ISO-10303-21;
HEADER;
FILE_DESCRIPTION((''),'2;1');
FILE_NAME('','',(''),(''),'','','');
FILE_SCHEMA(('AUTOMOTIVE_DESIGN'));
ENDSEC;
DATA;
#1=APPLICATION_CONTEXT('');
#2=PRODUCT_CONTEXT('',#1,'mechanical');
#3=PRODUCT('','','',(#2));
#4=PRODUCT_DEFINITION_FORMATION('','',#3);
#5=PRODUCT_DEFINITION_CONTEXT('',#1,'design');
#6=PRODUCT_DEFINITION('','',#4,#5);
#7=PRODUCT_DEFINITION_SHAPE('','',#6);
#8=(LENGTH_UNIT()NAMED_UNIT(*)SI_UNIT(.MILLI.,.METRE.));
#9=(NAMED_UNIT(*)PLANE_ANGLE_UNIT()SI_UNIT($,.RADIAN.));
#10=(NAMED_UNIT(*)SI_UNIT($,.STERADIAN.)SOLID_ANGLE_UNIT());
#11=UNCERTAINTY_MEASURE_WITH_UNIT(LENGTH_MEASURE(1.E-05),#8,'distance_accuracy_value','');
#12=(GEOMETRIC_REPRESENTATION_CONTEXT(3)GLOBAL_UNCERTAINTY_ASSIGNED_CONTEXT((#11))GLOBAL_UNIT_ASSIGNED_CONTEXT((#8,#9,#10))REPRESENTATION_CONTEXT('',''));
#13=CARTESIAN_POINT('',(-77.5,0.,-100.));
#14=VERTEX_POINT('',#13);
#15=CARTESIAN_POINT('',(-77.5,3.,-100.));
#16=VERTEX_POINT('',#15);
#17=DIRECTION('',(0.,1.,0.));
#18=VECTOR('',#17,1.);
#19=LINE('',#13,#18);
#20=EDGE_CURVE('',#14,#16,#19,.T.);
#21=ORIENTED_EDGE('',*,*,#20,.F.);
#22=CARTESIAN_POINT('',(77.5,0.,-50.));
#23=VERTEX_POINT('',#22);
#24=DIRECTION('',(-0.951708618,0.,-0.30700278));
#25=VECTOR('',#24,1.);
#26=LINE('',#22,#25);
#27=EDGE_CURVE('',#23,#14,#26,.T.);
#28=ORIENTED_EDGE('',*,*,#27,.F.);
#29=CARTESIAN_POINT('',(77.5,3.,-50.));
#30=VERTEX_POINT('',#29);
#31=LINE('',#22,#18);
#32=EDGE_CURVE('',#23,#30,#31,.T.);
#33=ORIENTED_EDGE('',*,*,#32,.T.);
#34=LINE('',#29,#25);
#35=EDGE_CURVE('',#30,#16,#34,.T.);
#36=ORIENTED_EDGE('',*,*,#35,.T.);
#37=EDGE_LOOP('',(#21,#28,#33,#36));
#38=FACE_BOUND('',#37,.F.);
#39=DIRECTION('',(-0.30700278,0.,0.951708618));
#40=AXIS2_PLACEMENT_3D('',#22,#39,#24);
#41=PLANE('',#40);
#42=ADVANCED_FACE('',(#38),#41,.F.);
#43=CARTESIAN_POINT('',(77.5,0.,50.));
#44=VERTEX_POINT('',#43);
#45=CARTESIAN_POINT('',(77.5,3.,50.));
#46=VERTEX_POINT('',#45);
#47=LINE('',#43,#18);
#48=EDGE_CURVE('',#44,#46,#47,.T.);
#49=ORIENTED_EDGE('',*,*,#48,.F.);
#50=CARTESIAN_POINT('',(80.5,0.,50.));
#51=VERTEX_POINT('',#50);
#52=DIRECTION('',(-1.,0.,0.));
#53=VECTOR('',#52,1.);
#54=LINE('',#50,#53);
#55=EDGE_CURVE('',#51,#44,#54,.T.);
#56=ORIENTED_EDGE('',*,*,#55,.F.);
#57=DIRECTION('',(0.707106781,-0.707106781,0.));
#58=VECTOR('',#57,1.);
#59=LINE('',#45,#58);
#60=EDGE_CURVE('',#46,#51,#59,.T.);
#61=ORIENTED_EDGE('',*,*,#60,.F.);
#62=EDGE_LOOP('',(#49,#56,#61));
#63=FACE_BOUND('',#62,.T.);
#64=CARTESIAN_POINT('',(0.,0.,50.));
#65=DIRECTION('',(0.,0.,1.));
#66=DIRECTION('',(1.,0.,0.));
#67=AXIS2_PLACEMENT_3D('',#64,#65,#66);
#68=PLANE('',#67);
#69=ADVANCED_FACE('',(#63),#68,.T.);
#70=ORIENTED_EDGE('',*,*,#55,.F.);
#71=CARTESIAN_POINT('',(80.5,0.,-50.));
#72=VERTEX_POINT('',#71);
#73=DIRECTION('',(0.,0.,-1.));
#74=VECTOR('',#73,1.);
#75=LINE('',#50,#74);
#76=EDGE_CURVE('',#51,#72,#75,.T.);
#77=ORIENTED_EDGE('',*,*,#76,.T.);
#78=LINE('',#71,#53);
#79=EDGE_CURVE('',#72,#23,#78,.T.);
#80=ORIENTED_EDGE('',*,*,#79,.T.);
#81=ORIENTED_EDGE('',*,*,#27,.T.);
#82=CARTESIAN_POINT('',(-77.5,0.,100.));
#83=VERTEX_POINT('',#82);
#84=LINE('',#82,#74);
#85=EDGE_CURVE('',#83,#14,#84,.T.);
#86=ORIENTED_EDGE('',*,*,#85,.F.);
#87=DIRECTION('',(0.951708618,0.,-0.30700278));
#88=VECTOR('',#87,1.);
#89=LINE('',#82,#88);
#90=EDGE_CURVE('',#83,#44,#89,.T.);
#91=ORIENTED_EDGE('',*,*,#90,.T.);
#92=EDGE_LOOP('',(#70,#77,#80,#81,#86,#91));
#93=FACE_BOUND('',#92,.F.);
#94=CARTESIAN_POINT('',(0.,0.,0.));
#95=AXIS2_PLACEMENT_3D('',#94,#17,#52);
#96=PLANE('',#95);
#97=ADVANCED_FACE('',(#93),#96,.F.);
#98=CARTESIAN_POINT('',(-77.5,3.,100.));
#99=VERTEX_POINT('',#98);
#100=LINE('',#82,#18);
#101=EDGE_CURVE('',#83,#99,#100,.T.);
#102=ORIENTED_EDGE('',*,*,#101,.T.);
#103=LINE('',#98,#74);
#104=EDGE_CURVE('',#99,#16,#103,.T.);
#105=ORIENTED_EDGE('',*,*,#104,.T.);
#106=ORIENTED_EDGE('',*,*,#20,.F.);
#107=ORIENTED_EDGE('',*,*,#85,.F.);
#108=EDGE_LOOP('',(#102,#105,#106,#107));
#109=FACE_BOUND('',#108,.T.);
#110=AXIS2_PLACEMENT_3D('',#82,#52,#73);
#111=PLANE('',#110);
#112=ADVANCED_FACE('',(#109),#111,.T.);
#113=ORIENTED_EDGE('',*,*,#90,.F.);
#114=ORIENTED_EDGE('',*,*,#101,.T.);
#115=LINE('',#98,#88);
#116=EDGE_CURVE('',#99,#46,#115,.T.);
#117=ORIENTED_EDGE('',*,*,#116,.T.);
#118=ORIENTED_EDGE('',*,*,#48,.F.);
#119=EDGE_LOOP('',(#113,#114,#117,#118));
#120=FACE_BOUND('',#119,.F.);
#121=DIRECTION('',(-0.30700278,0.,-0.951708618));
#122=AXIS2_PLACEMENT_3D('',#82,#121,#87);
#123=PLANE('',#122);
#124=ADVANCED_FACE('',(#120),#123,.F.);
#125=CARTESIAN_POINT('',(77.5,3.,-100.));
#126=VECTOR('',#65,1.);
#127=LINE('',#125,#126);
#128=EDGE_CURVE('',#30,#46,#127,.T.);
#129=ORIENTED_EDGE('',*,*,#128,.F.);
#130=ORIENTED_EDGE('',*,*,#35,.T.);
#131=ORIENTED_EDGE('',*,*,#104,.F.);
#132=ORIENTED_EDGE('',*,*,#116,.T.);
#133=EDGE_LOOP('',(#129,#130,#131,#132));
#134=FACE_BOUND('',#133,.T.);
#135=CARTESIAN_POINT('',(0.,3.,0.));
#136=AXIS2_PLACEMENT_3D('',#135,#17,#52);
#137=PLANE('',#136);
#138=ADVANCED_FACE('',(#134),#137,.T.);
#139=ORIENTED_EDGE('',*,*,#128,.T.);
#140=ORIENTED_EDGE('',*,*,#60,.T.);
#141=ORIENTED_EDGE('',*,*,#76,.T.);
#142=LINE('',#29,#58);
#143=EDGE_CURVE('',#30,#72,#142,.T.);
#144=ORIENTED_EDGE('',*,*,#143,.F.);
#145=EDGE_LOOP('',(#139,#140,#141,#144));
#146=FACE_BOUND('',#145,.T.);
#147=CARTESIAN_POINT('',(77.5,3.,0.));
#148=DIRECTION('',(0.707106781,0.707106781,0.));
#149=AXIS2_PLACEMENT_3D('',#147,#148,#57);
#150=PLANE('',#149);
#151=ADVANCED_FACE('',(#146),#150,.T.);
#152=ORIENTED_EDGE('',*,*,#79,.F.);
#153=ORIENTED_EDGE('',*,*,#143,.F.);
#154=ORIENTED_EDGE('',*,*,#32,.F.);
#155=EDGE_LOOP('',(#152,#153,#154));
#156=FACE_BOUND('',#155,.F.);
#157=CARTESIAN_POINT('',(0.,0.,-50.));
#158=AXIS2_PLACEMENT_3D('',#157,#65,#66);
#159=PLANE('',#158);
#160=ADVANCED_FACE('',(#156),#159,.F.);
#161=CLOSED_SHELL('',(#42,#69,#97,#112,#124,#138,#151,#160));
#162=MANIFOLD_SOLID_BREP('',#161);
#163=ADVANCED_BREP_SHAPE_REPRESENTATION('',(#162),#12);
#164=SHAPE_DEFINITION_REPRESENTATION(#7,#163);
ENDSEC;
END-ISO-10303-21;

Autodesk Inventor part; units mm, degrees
ref_plane "YZ Plane" through (0, 0, 0) normal (1, 0, 0) x (0, 1, 0)
ref_plane "XZ Plane" through (0, 0, 0) normal (0, 1, 0) x (-1, 0, 0)
ref_plane "XY Plane" through (0, 0, 0) normal (0, 0, 1) x (1, 0, 0)
sketch "Sketch1" plane through (0, 0, 0) normal (0, 1, 0) x (-1, 0, 0)
  line L0 (-77.5, 100) -> (77.5, 100)
  line L1 (77.5, 100) -> (77.5, -100)
  line L2 (77.5, -100) -> (-77.5, -100)
  line L3 (-77.5, -100) -> (-77.5, 100)
  line L4 (-77.5, 100) -> (77.5, -100) construction
  line L5 (77.5, 100) -> (-77.5, -100) construction
  line L6 (77.5, 100) -> (-77.5, 50)
  line L7 (-77.5, -50) -> (77.5, -100)
  point P0 (0, 0)
  dimension "d0" = 155
  dimension "d1" = 200
  dimension "d2" = 50
  dimension "d3" = 50
extrude "Extrusion1" add sketch "Sketch1" along normal blind 3 contours L1 L7 L3 L6
sketch "Sketch2" plane through (0, 0, 0) normal (0, 0, 1) x (1, 0, 0)
  line L0 (-77.5, 3) -> (77.5, 3) projected
  line L1 (77.5, 3) -> (80.5, 0)
  line L2 (80.5, 0) -> (77.2748, 0)
  line L3 (-77.5, 0) -> (77.5, 0) projected
  line L4 (77.5, 3) -> (77.5, 0)
  point P0 (0, 0)
  dimension "d6" = 45
extrude "Extrusion2" add sketch "Sketch2" along normal mid plane 100
properties part number "FLU-BackPlateRS3"
